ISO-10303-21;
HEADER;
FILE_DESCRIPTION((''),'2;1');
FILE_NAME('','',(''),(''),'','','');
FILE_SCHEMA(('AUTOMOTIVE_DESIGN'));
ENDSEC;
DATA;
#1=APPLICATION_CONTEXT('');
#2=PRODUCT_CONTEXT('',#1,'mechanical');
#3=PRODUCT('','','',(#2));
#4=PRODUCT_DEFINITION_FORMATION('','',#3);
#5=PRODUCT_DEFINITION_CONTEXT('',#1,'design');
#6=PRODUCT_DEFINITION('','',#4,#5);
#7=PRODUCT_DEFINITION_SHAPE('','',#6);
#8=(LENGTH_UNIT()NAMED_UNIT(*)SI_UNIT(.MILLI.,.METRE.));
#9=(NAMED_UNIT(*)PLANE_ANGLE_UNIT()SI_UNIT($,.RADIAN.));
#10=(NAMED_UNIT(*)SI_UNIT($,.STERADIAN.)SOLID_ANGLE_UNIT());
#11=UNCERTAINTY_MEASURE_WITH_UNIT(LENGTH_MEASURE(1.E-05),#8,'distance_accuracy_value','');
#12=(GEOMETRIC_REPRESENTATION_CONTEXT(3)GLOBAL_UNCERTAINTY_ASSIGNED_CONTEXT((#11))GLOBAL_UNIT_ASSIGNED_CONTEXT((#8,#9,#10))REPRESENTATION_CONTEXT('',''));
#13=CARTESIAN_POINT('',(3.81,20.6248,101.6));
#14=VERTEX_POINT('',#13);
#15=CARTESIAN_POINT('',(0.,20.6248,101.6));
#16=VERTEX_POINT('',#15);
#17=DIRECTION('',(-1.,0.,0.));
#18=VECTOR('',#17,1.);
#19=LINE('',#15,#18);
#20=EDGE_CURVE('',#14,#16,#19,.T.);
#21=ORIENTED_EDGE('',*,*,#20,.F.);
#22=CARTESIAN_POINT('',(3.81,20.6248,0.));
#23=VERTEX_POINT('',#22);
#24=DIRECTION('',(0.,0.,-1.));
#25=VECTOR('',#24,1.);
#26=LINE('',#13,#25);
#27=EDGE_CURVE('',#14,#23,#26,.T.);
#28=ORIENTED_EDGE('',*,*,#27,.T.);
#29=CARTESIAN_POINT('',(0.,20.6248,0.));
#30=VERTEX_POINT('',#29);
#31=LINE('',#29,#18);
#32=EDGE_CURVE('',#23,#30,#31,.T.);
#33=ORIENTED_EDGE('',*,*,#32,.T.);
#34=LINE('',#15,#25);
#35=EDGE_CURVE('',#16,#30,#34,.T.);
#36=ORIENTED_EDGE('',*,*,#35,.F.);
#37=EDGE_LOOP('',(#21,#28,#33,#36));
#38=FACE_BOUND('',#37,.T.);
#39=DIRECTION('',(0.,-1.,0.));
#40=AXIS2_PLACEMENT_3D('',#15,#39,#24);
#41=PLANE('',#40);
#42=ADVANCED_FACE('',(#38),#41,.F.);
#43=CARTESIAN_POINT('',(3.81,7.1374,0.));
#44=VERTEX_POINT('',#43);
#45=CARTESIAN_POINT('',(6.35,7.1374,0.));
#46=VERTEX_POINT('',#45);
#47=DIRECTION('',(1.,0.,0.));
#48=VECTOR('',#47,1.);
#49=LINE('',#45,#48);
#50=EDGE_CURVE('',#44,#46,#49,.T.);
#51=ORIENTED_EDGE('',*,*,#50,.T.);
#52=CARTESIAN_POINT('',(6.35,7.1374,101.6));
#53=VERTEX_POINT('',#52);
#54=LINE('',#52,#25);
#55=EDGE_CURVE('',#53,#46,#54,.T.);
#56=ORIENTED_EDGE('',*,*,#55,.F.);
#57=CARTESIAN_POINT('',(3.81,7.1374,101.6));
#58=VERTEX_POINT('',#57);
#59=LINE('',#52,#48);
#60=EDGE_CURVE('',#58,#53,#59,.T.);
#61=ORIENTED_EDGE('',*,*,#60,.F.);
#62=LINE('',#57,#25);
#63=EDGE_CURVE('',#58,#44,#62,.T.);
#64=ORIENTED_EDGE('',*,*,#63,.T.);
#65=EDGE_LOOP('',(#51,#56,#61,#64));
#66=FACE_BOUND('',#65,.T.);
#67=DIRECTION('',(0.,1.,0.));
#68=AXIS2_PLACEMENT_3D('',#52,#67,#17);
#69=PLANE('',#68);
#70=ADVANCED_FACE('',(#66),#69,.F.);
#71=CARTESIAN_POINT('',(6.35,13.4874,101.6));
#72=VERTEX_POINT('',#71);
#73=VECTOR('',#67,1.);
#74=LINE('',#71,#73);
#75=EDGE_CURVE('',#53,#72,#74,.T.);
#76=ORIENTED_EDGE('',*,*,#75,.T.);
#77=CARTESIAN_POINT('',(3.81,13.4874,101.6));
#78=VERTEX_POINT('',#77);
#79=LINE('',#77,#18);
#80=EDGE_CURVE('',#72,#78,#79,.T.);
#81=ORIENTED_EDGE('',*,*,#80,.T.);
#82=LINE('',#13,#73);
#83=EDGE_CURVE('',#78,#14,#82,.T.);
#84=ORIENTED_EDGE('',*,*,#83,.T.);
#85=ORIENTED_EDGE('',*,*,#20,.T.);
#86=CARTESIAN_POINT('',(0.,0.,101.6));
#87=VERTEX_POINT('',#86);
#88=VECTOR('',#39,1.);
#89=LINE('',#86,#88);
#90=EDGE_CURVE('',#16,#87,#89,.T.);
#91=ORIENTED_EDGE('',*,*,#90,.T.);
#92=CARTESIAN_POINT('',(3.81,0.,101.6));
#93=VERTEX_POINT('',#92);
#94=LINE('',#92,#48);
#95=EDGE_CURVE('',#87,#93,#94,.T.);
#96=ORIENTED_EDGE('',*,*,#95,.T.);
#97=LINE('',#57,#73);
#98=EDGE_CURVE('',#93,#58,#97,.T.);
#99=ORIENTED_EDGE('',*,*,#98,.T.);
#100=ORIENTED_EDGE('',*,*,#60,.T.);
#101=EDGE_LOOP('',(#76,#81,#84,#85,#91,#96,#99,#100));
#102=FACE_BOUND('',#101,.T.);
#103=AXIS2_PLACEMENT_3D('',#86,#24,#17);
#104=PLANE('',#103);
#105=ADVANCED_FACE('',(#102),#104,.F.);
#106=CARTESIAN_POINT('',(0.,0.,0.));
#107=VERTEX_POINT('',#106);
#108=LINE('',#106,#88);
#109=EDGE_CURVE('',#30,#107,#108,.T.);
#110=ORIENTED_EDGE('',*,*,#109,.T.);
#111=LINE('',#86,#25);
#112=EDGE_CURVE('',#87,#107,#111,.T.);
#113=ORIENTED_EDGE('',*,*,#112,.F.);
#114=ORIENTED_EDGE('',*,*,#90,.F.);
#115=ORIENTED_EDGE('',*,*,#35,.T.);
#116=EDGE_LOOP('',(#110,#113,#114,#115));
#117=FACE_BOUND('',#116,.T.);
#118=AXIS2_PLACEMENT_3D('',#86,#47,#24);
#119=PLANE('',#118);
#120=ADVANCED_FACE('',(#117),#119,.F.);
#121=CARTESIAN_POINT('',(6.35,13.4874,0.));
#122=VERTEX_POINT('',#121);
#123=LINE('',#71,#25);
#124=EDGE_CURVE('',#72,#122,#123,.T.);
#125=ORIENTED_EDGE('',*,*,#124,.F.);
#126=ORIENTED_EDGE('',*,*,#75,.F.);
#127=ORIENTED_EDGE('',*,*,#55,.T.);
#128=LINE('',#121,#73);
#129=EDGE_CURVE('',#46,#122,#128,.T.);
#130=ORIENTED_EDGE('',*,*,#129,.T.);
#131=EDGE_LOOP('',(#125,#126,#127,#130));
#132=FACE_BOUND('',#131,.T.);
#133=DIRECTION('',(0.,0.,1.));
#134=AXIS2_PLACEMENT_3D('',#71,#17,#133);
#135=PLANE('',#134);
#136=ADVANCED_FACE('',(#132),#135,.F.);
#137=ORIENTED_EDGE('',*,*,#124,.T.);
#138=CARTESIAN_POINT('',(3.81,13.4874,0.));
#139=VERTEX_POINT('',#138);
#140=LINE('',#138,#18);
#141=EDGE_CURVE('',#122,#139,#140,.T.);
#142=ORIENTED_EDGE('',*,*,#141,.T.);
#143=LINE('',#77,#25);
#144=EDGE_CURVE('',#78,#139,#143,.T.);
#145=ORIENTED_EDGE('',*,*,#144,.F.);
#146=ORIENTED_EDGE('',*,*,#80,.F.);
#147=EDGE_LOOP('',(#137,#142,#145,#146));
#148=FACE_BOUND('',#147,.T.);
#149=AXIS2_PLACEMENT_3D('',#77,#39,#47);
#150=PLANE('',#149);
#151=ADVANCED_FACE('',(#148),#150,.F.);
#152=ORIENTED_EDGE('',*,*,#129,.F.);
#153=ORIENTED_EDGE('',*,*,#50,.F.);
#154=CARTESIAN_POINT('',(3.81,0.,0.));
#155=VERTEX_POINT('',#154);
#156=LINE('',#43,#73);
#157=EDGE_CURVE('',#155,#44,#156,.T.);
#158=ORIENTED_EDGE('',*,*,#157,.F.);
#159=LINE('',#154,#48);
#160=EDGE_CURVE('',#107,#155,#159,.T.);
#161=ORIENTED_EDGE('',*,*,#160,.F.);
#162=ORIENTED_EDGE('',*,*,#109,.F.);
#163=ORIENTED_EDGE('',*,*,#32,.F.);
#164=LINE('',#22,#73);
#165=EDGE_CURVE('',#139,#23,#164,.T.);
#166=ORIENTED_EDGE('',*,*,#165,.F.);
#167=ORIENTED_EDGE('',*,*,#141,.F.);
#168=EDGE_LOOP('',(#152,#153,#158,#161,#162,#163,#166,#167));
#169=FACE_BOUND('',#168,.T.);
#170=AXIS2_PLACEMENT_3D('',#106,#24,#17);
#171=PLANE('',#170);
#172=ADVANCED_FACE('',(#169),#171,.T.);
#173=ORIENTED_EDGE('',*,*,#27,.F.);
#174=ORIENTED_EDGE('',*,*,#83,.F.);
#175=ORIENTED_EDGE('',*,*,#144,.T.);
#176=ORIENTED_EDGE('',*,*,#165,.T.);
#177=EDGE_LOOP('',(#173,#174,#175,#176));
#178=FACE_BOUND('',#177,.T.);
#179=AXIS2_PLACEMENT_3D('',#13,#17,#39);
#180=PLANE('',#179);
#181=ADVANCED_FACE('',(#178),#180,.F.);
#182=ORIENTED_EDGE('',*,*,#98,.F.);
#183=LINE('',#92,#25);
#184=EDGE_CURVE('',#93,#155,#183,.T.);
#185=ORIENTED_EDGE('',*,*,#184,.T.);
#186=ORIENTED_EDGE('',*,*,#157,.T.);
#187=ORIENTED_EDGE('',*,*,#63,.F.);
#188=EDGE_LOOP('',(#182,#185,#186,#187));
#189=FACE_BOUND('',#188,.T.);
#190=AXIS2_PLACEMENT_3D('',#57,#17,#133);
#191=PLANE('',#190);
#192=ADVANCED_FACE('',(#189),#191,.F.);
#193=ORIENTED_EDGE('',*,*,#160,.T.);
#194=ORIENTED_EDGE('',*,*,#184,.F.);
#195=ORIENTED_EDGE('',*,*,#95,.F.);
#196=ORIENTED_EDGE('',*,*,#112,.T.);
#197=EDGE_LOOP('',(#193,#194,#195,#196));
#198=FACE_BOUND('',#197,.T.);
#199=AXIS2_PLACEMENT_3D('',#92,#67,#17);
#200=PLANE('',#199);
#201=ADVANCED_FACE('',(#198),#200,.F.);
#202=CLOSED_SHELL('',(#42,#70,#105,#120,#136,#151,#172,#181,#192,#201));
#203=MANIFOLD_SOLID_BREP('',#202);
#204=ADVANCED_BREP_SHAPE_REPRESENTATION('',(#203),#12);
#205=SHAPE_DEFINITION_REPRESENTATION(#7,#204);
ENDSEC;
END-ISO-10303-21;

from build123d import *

# Parameters (mm, degrees)
BOSS_EXTRUDE1_DEPTH = 101.6


with BuildPart() as part:
    # Sketch1 → Boss-Extrude1 (new body)
    with BuildSketch(Plane.XY):
        Polygon((0, 0), (0, 20.6248), (3.81, 20.6248), (3.81, 13.4874), (6.35, 13.4874), (6.35, 7.1374), (3.81, 7.1374), (3.81, 0), align=None)
    extrude(amount=BOSS_EXTRUDE1_DEPTH)


solid = part.part
